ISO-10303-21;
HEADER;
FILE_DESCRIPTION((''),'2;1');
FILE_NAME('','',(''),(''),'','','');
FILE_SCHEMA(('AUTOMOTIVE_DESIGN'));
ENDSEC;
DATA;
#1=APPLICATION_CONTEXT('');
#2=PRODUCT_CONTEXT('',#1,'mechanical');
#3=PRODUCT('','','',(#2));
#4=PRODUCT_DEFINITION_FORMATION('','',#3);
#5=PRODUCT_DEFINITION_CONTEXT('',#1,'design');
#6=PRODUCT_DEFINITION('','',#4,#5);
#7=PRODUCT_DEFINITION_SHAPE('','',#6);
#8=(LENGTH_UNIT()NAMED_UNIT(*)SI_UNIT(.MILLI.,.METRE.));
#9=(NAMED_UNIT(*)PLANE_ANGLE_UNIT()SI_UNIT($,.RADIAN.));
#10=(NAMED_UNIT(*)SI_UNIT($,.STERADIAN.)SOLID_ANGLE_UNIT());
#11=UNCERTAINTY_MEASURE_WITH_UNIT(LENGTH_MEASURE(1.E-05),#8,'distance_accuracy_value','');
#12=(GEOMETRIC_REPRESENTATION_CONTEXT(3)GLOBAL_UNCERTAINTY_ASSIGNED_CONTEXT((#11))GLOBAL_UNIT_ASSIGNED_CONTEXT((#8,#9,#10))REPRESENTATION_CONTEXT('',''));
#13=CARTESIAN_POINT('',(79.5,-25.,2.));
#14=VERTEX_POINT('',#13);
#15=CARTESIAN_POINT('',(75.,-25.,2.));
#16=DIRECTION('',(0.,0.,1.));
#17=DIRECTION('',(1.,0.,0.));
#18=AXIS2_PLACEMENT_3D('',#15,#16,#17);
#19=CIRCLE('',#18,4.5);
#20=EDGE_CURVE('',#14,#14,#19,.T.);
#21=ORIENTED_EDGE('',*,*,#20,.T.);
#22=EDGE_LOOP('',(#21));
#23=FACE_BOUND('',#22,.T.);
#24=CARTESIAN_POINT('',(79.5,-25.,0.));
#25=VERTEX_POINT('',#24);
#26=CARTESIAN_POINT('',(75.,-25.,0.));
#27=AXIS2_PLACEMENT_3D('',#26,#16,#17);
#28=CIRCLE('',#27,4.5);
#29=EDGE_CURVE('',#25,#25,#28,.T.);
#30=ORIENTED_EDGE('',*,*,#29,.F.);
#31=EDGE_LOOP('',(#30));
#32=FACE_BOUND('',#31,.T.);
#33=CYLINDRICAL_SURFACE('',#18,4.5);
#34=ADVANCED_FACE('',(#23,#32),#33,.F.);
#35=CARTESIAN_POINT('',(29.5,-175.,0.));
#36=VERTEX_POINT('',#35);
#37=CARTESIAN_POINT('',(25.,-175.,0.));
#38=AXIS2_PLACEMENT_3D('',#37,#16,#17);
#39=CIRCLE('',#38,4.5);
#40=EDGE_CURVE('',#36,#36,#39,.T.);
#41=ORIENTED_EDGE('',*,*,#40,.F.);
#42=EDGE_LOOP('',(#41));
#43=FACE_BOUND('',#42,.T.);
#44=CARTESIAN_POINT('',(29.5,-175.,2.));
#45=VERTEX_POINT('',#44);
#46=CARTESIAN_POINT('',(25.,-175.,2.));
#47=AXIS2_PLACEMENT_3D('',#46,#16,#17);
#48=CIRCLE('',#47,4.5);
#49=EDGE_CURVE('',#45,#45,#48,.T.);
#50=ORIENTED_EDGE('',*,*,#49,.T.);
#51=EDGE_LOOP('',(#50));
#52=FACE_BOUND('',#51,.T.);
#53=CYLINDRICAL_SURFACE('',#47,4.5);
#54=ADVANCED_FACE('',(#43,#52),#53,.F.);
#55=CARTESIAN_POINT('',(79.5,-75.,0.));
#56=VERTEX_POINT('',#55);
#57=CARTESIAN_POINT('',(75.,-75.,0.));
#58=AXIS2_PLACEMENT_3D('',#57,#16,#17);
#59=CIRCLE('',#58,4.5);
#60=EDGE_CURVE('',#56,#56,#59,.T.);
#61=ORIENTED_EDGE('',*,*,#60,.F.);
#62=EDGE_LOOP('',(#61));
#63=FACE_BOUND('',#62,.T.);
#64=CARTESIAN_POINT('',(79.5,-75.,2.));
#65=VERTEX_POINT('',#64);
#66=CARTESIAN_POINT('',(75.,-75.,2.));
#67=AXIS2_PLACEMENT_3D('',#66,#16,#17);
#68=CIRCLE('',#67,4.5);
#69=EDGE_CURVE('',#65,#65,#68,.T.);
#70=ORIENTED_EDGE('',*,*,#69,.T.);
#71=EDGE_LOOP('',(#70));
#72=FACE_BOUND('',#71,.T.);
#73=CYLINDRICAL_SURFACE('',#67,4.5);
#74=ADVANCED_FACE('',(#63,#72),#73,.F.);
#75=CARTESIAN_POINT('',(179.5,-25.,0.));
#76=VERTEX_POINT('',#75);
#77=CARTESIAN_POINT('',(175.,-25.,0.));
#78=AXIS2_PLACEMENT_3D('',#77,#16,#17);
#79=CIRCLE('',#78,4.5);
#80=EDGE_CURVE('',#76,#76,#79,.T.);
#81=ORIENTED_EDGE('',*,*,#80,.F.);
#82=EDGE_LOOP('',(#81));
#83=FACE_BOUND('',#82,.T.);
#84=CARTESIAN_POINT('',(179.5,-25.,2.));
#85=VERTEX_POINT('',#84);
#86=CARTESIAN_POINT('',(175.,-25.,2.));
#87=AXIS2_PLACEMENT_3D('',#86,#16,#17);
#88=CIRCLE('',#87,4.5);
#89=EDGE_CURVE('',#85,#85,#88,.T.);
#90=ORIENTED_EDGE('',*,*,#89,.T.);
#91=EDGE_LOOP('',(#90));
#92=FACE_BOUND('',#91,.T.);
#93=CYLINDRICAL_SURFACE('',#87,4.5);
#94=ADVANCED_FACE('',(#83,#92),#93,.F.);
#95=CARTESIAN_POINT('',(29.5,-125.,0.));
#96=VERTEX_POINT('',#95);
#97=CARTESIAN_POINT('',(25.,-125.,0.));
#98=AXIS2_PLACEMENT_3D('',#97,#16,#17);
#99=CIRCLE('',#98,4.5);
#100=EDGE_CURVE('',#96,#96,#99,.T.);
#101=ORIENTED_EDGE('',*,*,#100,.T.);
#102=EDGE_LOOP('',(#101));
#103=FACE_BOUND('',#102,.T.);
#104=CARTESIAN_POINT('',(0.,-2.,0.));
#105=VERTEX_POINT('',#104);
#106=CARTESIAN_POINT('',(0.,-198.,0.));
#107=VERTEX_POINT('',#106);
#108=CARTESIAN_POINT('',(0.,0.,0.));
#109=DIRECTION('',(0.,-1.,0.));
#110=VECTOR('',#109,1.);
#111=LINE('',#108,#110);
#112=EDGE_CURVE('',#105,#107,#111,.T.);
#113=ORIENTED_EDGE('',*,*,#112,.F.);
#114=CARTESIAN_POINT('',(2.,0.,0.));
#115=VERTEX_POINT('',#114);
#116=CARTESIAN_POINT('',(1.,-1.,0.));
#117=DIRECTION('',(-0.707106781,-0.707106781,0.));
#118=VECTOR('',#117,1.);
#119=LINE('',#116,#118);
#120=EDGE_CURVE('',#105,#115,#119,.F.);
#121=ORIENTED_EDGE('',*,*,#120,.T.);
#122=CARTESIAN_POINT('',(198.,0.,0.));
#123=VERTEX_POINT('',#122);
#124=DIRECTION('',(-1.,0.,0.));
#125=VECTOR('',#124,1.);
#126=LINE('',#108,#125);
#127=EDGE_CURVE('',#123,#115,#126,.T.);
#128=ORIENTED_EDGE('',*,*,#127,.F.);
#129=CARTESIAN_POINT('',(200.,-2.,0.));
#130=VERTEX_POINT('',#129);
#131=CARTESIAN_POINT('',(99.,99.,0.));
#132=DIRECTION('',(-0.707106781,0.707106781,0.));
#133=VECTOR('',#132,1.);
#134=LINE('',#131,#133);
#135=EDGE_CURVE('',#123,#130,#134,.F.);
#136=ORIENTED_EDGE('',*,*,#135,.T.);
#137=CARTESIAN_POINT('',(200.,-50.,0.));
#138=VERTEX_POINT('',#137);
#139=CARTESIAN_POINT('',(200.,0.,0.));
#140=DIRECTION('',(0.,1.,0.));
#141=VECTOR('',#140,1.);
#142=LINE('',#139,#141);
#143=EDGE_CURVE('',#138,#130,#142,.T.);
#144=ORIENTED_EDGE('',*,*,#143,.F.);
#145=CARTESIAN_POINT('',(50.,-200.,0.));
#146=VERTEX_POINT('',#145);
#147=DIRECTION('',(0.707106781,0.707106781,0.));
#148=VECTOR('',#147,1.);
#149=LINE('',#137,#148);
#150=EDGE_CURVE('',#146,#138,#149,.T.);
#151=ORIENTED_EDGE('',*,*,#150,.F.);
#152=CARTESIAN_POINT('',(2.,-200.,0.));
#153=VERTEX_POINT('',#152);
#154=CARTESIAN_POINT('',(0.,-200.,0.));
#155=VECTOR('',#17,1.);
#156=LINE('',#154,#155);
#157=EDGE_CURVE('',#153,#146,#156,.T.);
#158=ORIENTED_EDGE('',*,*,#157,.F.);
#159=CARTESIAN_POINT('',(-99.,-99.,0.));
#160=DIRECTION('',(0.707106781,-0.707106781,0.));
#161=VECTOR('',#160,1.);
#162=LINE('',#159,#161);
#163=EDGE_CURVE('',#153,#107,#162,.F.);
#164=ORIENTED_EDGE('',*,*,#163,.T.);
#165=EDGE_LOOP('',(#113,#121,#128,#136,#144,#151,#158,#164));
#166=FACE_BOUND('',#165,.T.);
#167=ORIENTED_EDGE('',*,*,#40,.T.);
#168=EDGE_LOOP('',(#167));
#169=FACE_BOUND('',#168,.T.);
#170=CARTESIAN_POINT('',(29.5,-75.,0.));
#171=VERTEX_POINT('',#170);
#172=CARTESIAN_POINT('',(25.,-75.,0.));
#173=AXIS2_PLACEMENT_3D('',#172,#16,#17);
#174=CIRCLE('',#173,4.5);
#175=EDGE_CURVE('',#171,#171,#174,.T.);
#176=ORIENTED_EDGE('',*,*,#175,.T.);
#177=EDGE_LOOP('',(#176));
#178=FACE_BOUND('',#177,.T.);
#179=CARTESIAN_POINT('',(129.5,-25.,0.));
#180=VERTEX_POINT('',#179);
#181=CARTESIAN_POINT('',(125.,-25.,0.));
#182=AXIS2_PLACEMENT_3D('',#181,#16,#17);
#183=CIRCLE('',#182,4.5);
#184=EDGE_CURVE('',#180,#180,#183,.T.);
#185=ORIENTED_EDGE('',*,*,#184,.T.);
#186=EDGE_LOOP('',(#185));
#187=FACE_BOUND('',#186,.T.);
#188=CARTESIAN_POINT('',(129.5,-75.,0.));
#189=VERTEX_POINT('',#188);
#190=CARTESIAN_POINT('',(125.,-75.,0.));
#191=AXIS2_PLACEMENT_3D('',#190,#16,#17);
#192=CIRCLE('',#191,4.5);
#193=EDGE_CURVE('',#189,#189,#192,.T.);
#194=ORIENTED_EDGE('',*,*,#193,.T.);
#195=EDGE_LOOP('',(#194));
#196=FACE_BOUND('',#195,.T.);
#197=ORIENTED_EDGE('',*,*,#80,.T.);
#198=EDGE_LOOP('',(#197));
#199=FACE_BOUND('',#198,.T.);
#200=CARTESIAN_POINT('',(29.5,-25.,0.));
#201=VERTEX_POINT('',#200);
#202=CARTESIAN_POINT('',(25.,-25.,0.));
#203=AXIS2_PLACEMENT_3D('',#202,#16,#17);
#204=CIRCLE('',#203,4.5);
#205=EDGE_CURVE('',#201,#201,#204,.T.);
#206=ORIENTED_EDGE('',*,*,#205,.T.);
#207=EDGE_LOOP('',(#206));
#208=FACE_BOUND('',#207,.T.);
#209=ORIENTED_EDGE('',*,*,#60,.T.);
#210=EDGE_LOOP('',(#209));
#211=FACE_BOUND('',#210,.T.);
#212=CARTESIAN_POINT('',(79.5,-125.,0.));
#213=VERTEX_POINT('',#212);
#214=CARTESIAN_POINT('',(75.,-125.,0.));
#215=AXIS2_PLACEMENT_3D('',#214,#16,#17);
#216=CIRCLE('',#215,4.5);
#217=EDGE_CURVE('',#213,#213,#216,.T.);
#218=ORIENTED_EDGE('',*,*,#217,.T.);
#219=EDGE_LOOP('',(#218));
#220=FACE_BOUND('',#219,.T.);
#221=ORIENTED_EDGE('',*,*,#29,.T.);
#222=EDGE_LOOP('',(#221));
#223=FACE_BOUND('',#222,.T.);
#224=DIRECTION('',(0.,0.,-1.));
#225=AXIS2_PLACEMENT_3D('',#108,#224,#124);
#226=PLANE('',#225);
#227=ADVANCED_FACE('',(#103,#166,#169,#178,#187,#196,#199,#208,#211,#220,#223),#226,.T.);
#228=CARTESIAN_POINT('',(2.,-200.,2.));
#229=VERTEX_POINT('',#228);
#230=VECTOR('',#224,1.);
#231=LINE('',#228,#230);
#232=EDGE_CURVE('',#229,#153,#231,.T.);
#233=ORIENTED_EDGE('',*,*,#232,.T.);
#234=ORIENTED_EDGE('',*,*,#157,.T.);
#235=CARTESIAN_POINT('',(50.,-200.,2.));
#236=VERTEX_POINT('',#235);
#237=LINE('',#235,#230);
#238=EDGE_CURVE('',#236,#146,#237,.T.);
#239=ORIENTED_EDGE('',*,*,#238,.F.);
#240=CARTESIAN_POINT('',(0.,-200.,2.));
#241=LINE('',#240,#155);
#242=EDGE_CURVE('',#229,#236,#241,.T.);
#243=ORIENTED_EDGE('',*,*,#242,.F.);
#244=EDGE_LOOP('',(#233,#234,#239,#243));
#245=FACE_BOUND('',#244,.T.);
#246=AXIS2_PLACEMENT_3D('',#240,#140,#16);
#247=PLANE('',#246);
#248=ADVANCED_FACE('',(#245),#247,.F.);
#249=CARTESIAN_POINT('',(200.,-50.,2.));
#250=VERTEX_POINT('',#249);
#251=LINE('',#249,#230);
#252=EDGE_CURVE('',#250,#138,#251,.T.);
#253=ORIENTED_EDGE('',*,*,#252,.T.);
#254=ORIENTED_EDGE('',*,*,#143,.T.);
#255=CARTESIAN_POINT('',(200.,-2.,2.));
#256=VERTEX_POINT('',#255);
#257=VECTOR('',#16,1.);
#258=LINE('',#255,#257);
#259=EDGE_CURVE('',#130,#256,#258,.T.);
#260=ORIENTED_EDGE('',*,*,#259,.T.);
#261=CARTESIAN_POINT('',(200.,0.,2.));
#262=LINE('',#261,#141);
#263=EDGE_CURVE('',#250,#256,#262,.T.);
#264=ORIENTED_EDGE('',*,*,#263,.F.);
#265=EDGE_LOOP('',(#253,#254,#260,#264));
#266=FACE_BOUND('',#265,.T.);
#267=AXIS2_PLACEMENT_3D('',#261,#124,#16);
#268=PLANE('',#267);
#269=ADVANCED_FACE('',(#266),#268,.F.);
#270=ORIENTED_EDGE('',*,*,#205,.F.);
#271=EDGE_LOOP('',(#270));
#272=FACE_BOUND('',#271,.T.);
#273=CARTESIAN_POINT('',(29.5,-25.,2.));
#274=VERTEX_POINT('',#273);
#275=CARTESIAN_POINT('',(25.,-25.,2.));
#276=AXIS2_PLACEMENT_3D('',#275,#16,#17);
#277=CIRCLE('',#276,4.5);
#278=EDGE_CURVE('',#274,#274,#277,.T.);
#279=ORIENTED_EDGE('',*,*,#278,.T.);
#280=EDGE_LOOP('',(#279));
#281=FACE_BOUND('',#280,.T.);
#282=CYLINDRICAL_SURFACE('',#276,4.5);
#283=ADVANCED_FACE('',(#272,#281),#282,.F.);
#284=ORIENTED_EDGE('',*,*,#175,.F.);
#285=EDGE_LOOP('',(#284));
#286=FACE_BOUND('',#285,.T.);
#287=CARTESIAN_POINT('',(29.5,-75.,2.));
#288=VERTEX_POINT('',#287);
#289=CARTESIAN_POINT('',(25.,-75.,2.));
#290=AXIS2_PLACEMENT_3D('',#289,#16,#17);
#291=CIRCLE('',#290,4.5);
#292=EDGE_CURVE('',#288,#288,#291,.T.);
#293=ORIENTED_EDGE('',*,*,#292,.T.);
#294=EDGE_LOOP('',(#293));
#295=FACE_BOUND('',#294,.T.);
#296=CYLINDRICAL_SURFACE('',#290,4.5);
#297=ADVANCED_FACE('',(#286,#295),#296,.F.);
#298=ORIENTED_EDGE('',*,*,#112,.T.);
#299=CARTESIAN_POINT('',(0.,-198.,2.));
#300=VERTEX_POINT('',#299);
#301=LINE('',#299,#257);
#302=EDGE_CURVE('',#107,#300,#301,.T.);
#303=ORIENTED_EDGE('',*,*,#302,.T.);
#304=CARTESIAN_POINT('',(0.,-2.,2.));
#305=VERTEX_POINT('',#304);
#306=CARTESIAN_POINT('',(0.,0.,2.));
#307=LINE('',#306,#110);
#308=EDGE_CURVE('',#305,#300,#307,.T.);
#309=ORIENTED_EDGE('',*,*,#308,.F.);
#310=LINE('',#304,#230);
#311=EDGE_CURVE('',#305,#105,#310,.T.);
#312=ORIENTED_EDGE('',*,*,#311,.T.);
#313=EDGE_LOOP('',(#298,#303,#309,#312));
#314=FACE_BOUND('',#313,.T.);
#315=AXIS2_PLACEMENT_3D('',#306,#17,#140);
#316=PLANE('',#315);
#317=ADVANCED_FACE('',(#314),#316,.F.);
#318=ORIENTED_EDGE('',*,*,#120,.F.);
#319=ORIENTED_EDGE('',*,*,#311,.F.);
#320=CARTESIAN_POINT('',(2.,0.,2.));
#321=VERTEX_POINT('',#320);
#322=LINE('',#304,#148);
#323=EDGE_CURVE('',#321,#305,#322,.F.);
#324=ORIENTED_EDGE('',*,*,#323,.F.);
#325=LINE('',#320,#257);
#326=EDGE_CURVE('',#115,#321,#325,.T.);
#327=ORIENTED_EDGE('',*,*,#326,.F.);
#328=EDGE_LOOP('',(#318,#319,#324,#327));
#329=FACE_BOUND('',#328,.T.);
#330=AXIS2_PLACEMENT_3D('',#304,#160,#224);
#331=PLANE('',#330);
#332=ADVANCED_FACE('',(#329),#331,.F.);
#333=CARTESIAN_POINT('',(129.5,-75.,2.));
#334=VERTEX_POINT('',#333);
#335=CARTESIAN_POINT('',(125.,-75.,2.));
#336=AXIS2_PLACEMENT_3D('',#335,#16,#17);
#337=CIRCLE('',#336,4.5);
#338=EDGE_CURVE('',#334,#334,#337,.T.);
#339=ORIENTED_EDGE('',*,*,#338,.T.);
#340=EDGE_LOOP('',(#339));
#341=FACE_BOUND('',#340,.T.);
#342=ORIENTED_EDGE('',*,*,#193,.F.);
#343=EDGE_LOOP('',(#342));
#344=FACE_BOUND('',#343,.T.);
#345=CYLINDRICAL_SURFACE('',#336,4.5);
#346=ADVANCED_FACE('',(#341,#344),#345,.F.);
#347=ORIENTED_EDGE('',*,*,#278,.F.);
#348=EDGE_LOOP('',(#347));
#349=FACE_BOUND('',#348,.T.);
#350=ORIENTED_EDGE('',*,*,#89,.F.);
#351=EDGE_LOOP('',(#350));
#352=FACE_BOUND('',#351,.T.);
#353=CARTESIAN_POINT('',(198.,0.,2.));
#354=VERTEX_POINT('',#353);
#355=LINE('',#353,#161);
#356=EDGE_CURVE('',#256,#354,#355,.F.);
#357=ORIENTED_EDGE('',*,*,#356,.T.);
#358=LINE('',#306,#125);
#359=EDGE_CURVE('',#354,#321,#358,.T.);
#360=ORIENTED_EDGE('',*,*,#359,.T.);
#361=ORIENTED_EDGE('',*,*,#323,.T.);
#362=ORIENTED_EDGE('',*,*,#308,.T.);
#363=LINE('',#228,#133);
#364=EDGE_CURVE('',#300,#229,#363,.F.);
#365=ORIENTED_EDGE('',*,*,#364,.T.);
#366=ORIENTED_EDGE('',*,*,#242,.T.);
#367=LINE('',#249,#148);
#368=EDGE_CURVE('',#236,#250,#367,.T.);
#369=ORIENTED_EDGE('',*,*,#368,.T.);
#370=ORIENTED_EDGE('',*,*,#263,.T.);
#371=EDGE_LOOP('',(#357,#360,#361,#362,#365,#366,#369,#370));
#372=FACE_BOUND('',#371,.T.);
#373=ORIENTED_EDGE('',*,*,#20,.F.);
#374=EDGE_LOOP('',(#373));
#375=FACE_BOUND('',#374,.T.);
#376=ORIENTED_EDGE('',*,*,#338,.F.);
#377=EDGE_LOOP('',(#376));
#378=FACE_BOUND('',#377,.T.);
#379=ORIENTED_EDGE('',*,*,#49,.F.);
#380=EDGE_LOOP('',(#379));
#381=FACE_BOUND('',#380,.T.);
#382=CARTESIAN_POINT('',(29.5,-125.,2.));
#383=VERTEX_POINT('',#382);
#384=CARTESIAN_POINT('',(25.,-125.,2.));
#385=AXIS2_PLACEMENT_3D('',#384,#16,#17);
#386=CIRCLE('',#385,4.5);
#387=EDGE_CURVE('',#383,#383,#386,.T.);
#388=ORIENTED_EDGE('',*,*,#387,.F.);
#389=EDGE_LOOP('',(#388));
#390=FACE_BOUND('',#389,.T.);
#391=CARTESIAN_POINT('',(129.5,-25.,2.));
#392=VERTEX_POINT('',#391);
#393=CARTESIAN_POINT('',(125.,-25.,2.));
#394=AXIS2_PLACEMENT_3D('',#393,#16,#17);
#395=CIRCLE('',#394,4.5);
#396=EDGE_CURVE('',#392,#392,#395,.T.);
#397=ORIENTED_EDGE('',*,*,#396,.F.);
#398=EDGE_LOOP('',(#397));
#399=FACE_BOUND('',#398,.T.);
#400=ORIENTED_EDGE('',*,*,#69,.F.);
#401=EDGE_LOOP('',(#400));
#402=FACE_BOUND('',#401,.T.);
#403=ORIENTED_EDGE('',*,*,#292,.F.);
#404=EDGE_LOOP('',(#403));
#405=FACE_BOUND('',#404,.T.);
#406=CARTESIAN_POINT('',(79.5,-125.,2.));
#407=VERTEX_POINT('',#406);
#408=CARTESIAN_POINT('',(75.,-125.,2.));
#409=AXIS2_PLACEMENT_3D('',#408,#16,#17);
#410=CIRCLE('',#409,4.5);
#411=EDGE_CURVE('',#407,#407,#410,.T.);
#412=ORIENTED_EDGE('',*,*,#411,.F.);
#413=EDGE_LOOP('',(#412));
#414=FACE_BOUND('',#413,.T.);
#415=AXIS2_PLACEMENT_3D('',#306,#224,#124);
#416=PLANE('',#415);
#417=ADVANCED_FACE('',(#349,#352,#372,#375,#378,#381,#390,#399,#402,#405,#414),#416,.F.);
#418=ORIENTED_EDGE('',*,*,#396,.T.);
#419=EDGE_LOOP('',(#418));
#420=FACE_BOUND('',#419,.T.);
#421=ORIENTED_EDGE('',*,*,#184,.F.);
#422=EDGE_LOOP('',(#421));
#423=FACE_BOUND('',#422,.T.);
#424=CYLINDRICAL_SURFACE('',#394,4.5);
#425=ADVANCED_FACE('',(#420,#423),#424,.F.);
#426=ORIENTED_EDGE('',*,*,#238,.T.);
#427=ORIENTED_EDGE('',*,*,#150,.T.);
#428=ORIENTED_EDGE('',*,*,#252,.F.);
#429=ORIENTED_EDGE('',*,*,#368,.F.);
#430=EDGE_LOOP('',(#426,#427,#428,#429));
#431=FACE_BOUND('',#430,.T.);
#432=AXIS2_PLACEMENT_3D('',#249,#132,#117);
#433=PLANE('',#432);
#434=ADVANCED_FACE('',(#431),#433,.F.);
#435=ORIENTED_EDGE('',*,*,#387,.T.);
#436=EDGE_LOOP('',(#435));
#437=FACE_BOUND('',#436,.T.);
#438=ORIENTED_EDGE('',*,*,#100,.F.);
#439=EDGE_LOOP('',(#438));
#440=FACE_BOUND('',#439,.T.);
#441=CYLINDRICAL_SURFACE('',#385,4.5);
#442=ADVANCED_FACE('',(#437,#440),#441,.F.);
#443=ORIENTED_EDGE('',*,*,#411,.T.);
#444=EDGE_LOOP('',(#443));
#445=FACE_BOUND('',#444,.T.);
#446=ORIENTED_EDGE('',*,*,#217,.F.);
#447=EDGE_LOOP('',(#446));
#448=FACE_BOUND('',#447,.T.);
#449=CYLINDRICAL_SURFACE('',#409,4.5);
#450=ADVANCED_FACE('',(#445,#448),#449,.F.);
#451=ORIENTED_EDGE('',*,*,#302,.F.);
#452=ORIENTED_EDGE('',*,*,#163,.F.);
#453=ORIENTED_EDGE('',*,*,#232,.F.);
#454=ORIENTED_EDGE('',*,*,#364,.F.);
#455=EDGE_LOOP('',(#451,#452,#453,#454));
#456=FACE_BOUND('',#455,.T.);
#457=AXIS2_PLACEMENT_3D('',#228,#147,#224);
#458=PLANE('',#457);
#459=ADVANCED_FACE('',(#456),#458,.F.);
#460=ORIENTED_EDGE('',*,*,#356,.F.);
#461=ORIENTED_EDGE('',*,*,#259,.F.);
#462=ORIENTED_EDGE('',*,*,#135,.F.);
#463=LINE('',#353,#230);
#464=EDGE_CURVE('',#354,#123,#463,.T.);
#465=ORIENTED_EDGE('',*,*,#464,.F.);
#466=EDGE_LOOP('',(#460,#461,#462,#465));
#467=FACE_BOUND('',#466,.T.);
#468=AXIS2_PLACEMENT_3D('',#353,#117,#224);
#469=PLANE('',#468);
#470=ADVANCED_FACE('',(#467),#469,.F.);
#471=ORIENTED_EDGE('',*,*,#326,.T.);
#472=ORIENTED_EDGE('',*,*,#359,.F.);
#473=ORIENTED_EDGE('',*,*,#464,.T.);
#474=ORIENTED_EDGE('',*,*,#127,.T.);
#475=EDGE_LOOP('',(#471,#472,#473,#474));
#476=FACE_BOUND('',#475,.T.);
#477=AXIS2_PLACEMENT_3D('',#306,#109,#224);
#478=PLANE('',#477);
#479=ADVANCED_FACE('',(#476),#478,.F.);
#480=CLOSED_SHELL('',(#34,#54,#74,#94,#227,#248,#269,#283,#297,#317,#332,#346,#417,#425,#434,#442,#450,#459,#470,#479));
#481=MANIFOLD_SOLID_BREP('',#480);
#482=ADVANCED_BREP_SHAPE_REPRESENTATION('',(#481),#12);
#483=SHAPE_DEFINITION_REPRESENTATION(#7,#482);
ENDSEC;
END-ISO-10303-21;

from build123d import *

# Parameters (mm, degrees)
EXTRUDE_1_DEPTH   = 2
CHAMFER_1_SIZE    = 2
HOLE_WIZARD_M81_D = 9


with BuildPart() as part:
    # Эскиз1 → Бобышка-Вытянуть1 (new body)
    with BuildSketch(Plane.XY):
        Polygon((0, 0), (0, -200), (50, -200), (200, -50), (200, 0), align=None)
    extrude(amount=EXTRUDE_1_DEPTH)

    # Фаска1
    chamfer_1_edges = [part.edges().sort_by_distance(p)[0] for p in [
        (200, 0, 1),
        (0, -200, 1),
        (0, 0, 1),
    ]]
    chamfer(chamfer_1_edges, length=CHAMFER_1_SIZE)

    # Отверстие с зазором M81 (through all)
    with Locations(Plane.XY.offset(2)):
        with Locations((25, -25), (75, -25), (125, -25), (175, -25), (25, -75), (25, -125), (25, -175), (75, -125), (125, -75), (75, -75)):
            Hole(HOLE_WIZARD_M81_D / 2)


solid = part.part
